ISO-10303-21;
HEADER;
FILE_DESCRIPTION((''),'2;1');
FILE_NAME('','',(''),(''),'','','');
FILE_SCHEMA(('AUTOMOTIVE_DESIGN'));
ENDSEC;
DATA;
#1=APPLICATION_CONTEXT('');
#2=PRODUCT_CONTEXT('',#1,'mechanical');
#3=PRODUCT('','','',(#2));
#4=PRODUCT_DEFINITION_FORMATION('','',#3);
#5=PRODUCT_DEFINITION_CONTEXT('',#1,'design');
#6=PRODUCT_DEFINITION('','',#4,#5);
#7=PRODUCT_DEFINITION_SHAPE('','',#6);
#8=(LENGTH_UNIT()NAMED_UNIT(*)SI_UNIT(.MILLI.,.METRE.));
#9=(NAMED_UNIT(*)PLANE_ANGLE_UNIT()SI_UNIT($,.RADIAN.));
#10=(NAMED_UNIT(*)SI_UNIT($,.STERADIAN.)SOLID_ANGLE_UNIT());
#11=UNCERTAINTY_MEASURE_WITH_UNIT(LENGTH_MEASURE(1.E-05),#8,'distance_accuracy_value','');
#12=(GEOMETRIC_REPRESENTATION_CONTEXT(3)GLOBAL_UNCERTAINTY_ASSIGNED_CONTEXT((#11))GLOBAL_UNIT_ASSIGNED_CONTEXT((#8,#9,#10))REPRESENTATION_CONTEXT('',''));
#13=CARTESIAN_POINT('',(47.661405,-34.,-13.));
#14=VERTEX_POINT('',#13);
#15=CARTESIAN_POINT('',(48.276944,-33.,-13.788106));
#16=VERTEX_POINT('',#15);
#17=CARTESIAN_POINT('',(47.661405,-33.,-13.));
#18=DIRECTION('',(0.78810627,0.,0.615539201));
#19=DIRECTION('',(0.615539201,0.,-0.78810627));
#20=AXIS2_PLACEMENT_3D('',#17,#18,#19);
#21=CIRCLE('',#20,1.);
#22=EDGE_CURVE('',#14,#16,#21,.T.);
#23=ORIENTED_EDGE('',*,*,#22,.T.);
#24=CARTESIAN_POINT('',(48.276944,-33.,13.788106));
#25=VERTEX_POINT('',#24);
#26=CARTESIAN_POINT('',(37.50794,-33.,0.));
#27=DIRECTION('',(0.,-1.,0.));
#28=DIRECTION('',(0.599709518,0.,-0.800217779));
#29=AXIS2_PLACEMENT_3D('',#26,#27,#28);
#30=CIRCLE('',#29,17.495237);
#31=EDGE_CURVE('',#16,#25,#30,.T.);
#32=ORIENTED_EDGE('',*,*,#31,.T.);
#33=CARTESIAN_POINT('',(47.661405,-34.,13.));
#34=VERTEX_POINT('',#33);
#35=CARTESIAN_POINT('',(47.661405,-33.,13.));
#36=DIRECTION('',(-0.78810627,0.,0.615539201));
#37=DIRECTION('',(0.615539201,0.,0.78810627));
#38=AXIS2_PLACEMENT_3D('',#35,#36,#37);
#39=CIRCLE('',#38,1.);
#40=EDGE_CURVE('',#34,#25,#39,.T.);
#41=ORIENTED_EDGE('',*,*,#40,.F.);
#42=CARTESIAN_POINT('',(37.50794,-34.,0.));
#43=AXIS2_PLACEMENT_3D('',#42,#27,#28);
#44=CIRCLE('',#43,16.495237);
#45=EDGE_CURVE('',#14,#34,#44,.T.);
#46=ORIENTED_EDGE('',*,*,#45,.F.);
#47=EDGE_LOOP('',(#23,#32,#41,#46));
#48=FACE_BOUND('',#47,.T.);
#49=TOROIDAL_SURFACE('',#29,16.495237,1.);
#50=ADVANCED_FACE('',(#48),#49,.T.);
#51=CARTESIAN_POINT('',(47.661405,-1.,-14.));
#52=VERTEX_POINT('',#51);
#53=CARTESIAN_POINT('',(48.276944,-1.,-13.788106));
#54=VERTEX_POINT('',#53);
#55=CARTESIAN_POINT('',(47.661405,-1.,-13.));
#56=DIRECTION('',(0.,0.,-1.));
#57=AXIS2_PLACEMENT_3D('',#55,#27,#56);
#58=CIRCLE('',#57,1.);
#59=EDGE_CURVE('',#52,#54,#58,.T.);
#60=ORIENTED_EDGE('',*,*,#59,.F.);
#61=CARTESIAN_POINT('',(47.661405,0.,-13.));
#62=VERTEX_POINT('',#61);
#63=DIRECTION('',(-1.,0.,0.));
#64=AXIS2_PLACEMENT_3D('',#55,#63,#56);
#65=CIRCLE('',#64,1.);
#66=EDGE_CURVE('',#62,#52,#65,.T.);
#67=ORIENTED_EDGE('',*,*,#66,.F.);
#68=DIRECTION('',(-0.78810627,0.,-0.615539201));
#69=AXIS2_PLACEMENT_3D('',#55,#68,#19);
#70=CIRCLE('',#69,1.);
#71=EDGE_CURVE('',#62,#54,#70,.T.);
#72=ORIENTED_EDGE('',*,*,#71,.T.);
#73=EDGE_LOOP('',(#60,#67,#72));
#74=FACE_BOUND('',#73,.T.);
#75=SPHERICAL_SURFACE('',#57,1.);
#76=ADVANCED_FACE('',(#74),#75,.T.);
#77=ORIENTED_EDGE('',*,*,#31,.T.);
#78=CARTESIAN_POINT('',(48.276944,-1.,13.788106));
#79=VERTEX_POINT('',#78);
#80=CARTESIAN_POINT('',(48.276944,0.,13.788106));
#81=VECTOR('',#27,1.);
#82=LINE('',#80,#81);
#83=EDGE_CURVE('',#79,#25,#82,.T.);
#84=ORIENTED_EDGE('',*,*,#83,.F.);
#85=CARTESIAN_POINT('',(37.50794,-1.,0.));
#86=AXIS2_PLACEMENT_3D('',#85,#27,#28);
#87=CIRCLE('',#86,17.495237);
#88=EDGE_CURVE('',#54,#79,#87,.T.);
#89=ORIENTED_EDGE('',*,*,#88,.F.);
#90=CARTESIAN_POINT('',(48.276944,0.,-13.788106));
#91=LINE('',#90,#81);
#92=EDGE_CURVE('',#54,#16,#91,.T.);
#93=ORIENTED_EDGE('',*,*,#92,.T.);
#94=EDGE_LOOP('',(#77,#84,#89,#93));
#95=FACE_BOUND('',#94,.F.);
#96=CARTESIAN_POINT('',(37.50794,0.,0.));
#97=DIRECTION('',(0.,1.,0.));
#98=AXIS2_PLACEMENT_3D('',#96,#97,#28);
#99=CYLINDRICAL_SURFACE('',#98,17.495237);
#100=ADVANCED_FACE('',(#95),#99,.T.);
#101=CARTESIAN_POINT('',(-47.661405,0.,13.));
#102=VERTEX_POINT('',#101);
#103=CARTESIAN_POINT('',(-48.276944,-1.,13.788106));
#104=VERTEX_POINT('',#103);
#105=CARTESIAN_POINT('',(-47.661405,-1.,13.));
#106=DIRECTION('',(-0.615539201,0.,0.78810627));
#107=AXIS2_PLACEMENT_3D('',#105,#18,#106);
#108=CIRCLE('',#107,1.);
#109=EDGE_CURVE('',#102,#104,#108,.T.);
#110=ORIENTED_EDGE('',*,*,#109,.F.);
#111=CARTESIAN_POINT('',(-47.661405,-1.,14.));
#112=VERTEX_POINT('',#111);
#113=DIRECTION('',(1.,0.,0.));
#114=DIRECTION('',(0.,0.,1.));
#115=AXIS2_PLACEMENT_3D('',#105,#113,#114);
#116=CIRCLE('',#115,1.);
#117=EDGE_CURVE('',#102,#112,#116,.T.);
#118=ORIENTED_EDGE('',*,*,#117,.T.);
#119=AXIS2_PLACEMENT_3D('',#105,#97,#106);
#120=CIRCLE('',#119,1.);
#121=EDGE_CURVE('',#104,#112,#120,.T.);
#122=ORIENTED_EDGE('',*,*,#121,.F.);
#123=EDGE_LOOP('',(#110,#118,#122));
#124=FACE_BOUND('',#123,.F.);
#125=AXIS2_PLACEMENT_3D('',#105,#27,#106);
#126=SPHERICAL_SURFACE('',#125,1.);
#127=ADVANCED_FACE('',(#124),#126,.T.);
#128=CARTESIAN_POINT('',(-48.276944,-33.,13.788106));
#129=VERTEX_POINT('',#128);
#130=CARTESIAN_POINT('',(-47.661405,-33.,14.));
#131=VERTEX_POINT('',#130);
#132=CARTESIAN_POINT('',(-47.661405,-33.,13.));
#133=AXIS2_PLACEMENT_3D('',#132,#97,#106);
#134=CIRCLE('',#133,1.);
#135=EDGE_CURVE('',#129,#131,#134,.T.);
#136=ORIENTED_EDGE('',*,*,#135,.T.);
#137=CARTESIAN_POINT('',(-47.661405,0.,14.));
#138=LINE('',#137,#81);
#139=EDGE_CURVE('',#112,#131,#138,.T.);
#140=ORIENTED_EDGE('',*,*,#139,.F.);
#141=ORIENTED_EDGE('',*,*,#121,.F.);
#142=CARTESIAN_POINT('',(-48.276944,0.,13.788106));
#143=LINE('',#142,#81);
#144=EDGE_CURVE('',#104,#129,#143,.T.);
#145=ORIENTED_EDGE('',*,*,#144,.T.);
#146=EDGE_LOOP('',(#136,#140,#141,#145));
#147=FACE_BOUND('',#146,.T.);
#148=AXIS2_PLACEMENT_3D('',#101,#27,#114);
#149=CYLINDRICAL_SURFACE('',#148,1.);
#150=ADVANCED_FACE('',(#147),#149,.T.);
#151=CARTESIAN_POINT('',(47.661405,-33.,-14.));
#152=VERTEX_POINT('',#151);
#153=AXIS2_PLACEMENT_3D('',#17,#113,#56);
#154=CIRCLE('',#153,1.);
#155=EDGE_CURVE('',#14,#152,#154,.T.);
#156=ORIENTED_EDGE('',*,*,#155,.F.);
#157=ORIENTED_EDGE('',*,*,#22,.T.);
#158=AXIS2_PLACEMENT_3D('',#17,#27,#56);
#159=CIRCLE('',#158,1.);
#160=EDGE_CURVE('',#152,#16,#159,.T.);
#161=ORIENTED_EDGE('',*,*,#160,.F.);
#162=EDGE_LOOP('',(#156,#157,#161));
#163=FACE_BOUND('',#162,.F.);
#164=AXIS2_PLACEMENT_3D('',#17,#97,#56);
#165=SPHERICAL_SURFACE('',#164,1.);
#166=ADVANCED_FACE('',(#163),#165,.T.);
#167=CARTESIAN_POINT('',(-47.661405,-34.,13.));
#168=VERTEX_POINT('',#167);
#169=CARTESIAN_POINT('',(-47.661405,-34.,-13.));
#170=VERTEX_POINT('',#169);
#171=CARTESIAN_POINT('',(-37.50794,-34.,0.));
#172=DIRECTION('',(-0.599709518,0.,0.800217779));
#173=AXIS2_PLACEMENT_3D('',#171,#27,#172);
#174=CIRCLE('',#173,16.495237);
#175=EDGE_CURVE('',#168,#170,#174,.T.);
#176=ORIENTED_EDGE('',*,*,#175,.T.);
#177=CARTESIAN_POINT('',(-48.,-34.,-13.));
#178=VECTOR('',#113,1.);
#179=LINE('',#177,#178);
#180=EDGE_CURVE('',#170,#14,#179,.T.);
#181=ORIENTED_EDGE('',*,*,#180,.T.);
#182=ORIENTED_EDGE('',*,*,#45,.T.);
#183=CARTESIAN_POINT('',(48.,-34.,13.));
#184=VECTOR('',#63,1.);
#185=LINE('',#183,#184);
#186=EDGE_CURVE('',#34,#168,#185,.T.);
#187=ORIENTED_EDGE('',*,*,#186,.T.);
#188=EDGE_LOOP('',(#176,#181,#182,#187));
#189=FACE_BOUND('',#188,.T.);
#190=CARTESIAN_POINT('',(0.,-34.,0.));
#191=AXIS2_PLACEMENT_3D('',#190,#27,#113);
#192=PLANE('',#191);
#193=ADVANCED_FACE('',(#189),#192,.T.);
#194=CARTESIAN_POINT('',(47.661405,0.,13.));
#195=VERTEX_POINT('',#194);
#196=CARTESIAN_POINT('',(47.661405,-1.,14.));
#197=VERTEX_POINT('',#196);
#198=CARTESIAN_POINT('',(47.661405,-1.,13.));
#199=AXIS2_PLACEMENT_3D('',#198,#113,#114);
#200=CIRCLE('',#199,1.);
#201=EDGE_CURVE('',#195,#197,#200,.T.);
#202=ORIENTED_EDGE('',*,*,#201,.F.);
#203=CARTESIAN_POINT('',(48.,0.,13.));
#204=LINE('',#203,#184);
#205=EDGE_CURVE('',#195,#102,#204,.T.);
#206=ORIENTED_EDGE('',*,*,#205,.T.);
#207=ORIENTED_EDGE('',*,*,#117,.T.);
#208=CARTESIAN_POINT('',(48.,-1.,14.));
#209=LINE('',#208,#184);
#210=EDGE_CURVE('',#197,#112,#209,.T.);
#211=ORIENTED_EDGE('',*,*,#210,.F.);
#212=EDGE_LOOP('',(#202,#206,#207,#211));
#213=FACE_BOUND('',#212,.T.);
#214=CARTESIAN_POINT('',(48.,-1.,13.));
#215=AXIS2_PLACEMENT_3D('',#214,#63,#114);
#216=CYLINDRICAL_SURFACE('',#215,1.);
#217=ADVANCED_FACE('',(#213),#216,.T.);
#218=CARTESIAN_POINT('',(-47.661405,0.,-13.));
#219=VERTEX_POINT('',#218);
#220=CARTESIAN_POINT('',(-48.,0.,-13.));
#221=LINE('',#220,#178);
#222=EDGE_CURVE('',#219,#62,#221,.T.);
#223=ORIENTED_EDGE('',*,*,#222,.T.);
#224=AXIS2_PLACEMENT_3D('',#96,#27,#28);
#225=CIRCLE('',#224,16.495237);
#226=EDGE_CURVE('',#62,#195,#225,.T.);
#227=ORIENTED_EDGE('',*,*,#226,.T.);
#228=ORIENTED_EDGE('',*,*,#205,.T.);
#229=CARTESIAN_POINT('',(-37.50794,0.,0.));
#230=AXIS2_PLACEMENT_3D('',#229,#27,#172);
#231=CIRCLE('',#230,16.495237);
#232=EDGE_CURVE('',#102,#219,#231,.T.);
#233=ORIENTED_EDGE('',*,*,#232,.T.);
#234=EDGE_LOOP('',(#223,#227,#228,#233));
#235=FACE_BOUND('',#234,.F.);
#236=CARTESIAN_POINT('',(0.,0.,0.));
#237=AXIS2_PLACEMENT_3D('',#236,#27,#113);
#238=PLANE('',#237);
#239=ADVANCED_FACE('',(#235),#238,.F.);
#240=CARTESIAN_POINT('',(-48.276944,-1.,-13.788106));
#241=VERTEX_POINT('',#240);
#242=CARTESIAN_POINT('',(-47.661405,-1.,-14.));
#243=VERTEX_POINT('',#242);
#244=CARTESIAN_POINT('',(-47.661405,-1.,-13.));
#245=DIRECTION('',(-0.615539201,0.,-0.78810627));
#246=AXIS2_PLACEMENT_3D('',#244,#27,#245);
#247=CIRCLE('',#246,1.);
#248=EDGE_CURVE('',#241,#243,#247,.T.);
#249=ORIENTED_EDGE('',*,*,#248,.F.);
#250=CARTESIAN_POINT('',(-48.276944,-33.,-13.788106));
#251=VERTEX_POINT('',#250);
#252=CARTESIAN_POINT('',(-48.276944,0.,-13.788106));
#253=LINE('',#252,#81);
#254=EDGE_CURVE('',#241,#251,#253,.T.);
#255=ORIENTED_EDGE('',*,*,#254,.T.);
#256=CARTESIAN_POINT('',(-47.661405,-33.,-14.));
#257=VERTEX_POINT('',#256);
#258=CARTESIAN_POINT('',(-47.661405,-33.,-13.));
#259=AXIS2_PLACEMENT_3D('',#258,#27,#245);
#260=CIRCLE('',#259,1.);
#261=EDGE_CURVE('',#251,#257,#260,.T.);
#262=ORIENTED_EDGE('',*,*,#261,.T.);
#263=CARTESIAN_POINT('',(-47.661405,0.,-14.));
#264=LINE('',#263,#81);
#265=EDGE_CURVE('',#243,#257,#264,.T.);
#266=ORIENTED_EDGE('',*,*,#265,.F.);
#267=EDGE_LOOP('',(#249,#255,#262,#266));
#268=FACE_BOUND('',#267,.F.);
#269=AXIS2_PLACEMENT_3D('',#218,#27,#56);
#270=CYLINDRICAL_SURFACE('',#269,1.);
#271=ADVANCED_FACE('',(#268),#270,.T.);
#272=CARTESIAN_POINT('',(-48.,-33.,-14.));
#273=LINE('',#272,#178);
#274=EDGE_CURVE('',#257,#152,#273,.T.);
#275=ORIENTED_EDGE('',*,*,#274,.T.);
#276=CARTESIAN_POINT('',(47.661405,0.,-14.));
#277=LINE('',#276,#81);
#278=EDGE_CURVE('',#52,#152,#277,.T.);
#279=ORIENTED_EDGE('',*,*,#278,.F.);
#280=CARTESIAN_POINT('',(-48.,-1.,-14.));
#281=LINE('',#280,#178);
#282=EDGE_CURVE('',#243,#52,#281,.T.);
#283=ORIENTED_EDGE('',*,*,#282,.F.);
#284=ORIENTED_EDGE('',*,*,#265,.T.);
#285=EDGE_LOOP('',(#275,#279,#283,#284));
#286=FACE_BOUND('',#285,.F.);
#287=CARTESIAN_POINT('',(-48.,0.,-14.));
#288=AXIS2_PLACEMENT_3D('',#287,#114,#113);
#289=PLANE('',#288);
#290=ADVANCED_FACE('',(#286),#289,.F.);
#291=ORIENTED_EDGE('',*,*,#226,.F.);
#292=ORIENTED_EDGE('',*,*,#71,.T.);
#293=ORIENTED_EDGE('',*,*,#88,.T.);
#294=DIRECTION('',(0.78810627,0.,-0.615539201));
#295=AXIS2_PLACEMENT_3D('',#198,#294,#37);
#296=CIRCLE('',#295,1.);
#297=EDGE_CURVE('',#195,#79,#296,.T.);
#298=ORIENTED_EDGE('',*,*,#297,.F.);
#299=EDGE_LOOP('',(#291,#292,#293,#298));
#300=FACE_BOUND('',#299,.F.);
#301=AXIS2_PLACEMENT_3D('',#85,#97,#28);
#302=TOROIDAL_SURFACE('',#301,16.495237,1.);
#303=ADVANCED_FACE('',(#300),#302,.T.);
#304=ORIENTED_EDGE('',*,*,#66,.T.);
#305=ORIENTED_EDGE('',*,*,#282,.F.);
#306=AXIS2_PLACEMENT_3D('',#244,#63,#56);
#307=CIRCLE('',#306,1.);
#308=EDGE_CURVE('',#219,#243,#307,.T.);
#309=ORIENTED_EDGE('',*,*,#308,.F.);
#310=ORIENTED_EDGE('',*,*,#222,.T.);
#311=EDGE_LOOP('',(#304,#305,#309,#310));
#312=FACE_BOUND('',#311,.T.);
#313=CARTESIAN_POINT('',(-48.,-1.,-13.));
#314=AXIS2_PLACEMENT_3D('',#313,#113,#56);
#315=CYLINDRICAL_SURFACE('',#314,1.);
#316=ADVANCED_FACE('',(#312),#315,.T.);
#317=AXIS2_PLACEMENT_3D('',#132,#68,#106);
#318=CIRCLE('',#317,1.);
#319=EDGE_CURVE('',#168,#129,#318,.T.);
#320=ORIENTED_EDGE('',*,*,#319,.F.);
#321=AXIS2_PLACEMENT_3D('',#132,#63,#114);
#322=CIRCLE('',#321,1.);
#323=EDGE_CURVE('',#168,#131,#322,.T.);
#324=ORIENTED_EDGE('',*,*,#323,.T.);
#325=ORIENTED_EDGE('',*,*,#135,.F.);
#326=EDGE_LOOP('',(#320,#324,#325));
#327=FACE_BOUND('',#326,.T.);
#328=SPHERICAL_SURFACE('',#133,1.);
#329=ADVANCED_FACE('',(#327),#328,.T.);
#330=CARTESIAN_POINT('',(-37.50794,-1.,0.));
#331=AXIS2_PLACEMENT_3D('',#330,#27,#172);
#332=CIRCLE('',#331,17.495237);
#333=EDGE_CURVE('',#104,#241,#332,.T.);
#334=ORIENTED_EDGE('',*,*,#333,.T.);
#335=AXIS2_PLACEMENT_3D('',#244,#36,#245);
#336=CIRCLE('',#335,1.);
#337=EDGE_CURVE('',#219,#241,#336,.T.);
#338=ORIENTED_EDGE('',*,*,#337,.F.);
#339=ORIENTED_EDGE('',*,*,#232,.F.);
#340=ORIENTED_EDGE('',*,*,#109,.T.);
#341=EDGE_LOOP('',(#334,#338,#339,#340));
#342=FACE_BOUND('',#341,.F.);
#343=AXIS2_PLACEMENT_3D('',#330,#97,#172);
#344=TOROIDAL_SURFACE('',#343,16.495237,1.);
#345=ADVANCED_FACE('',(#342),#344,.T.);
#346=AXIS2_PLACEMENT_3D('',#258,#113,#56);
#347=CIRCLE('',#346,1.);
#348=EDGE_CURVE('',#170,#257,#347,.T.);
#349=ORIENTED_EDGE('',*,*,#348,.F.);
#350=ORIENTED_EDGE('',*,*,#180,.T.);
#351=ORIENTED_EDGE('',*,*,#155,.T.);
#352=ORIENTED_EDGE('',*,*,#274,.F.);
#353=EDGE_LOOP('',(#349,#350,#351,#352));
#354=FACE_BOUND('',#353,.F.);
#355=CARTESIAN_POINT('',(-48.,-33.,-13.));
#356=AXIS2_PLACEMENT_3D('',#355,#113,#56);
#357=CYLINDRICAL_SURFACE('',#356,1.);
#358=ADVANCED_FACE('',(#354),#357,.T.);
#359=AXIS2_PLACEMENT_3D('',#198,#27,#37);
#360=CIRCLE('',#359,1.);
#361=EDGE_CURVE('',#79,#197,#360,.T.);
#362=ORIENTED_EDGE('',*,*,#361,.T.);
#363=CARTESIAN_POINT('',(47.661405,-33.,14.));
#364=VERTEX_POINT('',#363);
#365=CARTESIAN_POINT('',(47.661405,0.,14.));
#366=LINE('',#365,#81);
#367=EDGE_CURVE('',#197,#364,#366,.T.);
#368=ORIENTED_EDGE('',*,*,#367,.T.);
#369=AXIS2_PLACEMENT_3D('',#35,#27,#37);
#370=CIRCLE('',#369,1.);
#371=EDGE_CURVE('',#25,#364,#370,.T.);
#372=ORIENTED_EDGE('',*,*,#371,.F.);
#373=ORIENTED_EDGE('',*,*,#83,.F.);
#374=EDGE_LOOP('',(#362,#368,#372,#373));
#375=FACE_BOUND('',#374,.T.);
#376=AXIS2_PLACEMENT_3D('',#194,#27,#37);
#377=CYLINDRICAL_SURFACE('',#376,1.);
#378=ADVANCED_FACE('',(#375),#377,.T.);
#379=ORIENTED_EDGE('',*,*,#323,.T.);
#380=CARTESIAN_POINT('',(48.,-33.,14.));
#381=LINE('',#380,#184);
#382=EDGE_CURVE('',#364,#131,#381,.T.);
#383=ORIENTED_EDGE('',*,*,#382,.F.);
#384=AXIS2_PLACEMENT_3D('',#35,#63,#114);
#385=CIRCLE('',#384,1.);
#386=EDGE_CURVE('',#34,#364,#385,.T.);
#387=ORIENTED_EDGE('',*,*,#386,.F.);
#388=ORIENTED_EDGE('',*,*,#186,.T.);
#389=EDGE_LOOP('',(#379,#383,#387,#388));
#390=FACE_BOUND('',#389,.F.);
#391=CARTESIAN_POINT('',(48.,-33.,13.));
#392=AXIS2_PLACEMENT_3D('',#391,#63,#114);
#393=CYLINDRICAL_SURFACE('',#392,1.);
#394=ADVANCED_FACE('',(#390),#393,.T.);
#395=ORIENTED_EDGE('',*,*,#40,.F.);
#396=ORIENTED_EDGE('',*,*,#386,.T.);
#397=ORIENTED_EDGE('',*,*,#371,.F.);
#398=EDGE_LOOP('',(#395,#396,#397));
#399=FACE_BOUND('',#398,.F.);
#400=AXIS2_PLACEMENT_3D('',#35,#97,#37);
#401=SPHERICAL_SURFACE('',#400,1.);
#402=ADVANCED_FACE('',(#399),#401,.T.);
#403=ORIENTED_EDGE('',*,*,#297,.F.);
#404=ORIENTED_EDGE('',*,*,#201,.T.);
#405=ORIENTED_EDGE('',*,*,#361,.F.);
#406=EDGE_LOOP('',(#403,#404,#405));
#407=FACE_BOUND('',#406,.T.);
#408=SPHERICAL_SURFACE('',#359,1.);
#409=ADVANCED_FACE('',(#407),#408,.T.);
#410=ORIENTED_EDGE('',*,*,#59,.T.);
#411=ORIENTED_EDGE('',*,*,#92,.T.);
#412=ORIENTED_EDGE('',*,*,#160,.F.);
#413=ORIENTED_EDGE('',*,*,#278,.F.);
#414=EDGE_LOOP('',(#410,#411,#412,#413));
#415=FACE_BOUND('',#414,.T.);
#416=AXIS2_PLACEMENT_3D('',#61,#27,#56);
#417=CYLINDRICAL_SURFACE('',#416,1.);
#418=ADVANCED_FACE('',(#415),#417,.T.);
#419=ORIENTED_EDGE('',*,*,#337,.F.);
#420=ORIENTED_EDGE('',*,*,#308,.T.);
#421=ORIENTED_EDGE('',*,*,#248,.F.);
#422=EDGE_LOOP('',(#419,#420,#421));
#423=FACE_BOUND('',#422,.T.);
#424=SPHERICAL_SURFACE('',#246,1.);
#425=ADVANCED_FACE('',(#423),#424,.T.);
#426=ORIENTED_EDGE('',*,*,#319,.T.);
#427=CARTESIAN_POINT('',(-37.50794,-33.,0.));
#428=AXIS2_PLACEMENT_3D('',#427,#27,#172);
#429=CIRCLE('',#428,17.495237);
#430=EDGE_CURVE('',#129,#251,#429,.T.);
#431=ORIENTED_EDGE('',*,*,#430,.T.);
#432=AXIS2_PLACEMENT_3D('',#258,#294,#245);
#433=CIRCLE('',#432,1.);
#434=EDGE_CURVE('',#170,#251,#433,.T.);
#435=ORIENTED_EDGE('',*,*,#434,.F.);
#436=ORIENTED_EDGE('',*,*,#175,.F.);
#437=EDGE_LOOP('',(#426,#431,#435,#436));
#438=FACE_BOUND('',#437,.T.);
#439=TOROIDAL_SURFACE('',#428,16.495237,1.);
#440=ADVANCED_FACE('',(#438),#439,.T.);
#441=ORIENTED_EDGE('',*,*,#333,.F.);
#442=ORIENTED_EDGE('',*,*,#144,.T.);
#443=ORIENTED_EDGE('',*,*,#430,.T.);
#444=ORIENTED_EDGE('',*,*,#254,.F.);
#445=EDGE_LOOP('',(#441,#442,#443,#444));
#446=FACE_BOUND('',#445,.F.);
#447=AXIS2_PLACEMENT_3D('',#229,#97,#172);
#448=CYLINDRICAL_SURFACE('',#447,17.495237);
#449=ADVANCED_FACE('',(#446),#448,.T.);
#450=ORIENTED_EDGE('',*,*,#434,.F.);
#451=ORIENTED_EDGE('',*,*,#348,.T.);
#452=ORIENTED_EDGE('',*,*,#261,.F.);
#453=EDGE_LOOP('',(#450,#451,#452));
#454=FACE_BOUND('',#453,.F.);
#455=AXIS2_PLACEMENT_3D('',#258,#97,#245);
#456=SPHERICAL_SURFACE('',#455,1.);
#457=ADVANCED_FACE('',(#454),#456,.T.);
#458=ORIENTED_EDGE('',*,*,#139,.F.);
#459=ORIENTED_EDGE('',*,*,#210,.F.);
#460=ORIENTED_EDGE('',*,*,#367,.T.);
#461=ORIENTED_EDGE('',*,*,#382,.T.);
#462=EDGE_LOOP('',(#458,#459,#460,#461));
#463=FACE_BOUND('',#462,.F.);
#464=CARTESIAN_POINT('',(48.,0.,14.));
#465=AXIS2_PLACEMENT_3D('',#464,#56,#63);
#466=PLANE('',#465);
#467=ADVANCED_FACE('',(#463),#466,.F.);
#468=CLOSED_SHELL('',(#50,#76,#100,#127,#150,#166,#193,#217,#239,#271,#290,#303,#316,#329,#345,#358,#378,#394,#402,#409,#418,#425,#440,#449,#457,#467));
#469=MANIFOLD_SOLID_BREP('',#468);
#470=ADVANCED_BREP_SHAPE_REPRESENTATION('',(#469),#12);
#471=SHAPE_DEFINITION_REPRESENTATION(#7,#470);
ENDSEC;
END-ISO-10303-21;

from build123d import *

# Parameters (mm, degrees)
F1_DEPTH = 34
F2_R     = 1


with BuildPart() as f1:
    # F0 (on Front) → F1 (new body)
    with BuildSketch(Plane.XZ):
        with BuildLine():
            Line((-48, -14), (48, -14))
            ThreePointArc((48, -14), (55.003177, 0), (48, 14))
            Line((48, 14), (-48, 14))
            ThreePointArc((-48, 14), (-55.003177, 0), (-48, -14))
        make_face()
    extrude(amount=F1_DEPTH)

    # F2
    f2_edges = [f1.edges().sort_by_distance(p)[0] for p in [
        (-55.003177, -34, 0),
        (0, -34, -14),
        (55.003177, -34, 0),
        (0, -34, 14),
        (-55.003177, 0, 0),
        (0, 0, -14),
        (55.003177, 0, 0),
        (0, 0, 14),
        (48, -17, 14),
        (-48, -17, 14),
        (-48, -17, -14),
        (48, -17, -14),
    ]]
    fillet(f2_edges, radius=F2_R)


solid = f1.part
